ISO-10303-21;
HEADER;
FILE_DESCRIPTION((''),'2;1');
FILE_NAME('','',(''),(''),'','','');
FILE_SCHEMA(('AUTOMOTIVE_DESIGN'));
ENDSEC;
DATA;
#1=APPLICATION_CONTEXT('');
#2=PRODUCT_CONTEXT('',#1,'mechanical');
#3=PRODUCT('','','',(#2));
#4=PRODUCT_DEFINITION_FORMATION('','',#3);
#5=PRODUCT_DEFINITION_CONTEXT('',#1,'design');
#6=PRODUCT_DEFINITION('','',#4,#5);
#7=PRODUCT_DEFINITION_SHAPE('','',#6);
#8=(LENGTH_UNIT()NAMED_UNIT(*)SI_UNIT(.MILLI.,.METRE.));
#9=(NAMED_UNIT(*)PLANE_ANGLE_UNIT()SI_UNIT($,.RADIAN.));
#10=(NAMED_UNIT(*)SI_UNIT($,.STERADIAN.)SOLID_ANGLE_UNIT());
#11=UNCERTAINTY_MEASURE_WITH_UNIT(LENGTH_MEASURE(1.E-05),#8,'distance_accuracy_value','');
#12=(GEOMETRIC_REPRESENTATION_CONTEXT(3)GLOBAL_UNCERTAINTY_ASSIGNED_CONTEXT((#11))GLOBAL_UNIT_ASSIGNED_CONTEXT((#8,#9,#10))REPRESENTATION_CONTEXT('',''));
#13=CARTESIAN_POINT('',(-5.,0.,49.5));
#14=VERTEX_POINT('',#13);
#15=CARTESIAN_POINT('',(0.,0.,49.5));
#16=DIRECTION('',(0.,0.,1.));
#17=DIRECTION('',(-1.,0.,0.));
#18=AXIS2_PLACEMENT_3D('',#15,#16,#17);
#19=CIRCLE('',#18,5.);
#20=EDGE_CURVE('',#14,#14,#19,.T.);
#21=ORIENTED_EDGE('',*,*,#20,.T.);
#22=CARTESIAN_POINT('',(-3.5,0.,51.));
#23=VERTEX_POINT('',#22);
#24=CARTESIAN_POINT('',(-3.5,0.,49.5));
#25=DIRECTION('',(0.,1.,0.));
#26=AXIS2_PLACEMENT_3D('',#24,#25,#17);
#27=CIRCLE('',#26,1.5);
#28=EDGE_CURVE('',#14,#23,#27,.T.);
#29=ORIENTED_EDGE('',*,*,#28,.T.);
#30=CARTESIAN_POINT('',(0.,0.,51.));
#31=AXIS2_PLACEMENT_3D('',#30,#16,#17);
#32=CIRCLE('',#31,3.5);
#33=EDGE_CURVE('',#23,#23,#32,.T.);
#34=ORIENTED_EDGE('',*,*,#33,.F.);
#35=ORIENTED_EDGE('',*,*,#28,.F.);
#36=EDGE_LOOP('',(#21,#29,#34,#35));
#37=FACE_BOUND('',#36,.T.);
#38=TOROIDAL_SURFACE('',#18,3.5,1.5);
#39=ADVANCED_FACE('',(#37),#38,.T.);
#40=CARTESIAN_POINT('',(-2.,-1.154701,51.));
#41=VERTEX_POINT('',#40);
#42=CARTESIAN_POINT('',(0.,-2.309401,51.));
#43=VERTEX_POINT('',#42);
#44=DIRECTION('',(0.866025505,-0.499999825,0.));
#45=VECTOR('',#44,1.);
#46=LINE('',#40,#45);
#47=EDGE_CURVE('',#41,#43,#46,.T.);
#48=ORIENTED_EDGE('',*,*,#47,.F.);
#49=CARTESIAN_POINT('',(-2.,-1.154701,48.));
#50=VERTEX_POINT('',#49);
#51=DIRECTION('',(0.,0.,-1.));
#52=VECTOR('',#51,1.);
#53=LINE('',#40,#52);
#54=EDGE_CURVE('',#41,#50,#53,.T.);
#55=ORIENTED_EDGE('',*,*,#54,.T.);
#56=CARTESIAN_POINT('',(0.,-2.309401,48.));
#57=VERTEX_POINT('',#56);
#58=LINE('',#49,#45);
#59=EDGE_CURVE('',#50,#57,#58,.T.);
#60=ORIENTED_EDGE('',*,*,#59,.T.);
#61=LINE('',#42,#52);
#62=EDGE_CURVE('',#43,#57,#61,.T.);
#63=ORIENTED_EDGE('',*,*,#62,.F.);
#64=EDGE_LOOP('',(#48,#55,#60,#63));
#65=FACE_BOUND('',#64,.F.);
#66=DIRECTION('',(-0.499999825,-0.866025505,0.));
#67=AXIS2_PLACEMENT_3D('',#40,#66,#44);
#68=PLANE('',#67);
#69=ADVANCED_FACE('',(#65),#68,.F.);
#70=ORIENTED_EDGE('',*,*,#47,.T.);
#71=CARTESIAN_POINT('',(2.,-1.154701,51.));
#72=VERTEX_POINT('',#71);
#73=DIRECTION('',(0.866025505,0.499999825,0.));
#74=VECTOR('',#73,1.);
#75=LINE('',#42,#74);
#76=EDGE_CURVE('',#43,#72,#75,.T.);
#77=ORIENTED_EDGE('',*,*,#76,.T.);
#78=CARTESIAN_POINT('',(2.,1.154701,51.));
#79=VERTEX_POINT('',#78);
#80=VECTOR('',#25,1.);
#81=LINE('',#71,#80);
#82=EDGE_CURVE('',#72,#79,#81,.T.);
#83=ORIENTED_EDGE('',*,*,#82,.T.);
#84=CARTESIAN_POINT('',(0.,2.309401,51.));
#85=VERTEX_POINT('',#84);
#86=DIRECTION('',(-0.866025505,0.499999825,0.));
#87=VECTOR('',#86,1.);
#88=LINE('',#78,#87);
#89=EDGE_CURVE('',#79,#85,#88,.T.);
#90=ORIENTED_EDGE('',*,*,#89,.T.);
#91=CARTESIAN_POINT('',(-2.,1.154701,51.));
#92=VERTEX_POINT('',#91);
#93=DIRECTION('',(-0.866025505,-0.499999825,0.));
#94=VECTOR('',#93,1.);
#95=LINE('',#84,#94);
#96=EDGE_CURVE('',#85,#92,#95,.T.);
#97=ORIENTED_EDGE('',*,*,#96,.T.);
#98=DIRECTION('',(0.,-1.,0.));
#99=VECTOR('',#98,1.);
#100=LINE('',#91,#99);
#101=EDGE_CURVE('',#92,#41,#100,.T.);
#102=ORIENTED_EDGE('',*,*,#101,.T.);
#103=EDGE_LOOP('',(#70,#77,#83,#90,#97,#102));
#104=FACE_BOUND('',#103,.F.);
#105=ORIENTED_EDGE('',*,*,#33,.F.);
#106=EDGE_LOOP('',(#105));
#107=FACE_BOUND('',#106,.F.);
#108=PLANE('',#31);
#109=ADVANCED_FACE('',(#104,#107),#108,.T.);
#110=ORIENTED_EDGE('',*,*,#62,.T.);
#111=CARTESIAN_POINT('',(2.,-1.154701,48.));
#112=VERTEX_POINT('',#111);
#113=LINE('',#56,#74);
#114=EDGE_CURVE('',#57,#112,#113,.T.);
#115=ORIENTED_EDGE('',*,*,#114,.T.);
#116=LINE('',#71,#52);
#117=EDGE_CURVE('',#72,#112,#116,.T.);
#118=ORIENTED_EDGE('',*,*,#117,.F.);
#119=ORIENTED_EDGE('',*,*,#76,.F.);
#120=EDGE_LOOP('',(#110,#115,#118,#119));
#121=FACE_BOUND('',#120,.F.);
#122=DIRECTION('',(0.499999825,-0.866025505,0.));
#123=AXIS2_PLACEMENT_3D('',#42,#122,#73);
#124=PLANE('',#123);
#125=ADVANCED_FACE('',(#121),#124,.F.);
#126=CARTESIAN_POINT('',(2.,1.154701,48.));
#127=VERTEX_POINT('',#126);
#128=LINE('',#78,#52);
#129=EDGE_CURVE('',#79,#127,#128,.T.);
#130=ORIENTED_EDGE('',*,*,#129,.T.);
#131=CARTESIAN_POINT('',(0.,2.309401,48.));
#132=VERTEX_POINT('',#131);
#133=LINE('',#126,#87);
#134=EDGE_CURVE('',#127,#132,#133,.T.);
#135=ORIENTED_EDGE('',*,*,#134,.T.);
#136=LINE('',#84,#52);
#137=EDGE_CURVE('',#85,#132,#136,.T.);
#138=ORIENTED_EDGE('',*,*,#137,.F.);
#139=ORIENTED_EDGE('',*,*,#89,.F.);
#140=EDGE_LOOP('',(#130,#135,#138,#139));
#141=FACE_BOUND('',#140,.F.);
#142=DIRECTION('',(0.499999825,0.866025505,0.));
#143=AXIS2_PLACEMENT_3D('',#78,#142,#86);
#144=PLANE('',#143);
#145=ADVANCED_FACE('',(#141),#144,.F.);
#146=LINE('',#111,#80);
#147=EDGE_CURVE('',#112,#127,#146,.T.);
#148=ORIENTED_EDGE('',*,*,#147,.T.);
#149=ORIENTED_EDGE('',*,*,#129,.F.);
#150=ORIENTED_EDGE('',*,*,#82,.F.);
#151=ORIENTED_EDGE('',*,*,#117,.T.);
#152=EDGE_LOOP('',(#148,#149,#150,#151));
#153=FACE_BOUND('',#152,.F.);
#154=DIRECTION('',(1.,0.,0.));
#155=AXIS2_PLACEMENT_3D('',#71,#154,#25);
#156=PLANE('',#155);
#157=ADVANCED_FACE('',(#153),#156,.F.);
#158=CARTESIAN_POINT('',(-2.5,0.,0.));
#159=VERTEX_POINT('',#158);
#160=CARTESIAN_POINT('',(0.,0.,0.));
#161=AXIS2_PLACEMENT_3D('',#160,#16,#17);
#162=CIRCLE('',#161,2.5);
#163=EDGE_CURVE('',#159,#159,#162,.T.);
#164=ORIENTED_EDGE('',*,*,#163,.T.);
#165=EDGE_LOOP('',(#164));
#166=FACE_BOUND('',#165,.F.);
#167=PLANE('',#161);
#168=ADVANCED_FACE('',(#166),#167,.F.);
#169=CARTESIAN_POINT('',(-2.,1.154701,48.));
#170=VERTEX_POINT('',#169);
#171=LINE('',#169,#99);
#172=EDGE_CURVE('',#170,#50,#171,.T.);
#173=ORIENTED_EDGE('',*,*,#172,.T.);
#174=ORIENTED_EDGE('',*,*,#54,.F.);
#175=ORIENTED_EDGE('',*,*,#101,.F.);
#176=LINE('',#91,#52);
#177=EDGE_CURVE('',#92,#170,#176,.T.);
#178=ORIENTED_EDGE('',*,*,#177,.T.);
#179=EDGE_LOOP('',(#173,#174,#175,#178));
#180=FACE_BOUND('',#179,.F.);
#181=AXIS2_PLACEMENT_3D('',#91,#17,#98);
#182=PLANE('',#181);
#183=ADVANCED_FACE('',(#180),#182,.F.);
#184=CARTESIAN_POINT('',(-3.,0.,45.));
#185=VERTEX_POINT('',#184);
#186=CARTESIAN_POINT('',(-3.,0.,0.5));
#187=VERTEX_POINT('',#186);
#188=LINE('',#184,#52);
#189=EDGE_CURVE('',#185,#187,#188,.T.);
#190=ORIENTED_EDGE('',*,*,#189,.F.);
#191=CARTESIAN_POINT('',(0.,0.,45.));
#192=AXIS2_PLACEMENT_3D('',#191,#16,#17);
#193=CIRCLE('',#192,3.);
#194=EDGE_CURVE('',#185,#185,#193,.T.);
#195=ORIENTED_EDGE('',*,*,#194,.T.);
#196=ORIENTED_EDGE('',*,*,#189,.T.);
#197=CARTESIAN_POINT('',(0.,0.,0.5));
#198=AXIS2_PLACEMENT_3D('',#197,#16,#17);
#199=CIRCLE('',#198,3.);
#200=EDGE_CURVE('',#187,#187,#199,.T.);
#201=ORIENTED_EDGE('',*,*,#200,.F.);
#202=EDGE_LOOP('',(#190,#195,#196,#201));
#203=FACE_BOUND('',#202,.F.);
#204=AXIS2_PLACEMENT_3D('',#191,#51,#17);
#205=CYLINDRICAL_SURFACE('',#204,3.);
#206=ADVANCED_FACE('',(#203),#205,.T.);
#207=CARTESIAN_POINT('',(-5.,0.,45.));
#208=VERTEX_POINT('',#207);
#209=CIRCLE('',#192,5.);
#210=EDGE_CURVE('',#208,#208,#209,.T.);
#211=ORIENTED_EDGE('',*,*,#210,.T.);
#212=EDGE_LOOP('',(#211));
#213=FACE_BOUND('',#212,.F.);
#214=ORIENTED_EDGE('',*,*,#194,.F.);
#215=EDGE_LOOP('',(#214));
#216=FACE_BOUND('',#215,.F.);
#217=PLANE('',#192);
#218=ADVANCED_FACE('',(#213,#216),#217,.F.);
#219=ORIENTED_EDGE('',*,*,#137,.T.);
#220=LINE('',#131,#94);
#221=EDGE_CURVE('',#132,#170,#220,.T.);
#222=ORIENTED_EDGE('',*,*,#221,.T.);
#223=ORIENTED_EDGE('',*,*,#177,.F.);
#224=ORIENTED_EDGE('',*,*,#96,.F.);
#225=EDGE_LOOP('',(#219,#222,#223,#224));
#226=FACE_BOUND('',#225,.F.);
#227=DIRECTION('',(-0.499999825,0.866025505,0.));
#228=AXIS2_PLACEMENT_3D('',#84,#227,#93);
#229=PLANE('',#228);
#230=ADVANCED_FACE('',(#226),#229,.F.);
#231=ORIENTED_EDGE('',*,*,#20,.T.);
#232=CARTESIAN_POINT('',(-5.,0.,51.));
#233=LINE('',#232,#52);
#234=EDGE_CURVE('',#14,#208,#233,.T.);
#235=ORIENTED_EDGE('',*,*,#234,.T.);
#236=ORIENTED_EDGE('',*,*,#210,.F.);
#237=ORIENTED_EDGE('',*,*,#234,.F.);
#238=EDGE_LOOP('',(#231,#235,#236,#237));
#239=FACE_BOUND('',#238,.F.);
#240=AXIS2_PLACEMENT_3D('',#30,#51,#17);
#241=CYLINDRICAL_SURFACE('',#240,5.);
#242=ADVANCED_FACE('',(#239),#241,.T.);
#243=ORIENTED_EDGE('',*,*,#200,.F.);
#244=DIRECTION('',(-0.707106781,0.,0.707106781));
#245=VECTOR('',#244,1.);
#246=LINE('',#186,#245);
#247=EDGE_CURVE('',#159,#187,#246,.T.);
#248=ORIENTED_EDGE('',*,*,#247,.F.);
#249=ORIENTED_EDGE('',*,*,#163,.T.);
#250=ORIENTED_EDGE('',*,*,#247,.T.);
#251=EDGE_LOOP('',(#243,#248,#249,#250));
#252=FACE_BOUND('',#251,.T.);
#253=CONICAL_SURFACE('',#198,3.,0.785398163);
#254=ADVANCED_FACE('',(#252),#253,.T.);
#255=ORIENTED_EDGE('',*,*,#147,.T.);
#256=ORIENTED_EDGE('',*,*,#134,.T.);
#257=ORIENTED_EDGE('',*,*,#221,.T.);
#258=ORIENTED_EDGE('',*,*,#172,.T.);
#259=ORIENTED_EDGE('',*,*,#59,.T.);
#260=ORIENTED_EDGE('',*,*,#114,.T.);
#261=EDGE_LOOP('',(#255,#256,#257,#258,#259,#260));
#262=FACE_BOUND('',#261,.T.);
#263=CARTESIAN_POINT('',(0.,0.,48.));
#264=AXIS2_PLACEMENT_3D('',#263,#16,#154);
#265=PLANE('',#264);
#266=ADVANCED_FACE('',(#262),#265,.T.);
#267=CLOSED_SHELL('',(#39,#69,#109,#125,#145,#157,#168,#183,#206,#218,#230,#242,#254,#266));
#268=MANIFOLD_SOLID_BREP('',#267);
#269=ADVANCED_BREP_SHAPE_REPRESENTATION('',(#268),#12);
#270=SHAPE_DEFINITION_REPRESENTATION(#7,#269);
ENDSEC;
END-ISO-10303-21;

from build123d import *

# Parameters (mm, degrees)
F2_SIZE  = 0.5
F3_R     = 1.5
F5_DEPTH = 3


with BuildPart() as f1:
    # F0 (on Front) → F1 (revolve)
    with BuildSketch(Plane.XZ):
        Polygon((-3, 0), (0, 0), (0, 51), (-5, 51), (-5, 45), (-3, 45), align=None)
    revolve(axis=Axis((0, 0, 29.048277), (0, 0, 1)))

    # F2
    f2_edges = [f1.edges().sort_by_distance(p)[0] for p in [
        (3, 0, 0),
    ]]
    chamfer(f2_edges, length=F2_SIZE)

    # F3
    f3_edges = [f1.edges().sort_by_distance(p)[0] for p in [
        (5, 0, 51),
    ]]
    fillet(f3_edges, radius=F3_R)

    # F4 (on face) → F5 (cut)
    with BuildSketch(Plane.XY.offset(51)):
        Polygon((-2, 1.154701), (-2, -1.154701), (0, -2.309401), (2, -1.154701), (2, 1.154701), (0, 2.309401), align=None)
    extrude(amount=-F5_DEPTH, mode=Mode.SUBTRACT)


solid = f1.part
